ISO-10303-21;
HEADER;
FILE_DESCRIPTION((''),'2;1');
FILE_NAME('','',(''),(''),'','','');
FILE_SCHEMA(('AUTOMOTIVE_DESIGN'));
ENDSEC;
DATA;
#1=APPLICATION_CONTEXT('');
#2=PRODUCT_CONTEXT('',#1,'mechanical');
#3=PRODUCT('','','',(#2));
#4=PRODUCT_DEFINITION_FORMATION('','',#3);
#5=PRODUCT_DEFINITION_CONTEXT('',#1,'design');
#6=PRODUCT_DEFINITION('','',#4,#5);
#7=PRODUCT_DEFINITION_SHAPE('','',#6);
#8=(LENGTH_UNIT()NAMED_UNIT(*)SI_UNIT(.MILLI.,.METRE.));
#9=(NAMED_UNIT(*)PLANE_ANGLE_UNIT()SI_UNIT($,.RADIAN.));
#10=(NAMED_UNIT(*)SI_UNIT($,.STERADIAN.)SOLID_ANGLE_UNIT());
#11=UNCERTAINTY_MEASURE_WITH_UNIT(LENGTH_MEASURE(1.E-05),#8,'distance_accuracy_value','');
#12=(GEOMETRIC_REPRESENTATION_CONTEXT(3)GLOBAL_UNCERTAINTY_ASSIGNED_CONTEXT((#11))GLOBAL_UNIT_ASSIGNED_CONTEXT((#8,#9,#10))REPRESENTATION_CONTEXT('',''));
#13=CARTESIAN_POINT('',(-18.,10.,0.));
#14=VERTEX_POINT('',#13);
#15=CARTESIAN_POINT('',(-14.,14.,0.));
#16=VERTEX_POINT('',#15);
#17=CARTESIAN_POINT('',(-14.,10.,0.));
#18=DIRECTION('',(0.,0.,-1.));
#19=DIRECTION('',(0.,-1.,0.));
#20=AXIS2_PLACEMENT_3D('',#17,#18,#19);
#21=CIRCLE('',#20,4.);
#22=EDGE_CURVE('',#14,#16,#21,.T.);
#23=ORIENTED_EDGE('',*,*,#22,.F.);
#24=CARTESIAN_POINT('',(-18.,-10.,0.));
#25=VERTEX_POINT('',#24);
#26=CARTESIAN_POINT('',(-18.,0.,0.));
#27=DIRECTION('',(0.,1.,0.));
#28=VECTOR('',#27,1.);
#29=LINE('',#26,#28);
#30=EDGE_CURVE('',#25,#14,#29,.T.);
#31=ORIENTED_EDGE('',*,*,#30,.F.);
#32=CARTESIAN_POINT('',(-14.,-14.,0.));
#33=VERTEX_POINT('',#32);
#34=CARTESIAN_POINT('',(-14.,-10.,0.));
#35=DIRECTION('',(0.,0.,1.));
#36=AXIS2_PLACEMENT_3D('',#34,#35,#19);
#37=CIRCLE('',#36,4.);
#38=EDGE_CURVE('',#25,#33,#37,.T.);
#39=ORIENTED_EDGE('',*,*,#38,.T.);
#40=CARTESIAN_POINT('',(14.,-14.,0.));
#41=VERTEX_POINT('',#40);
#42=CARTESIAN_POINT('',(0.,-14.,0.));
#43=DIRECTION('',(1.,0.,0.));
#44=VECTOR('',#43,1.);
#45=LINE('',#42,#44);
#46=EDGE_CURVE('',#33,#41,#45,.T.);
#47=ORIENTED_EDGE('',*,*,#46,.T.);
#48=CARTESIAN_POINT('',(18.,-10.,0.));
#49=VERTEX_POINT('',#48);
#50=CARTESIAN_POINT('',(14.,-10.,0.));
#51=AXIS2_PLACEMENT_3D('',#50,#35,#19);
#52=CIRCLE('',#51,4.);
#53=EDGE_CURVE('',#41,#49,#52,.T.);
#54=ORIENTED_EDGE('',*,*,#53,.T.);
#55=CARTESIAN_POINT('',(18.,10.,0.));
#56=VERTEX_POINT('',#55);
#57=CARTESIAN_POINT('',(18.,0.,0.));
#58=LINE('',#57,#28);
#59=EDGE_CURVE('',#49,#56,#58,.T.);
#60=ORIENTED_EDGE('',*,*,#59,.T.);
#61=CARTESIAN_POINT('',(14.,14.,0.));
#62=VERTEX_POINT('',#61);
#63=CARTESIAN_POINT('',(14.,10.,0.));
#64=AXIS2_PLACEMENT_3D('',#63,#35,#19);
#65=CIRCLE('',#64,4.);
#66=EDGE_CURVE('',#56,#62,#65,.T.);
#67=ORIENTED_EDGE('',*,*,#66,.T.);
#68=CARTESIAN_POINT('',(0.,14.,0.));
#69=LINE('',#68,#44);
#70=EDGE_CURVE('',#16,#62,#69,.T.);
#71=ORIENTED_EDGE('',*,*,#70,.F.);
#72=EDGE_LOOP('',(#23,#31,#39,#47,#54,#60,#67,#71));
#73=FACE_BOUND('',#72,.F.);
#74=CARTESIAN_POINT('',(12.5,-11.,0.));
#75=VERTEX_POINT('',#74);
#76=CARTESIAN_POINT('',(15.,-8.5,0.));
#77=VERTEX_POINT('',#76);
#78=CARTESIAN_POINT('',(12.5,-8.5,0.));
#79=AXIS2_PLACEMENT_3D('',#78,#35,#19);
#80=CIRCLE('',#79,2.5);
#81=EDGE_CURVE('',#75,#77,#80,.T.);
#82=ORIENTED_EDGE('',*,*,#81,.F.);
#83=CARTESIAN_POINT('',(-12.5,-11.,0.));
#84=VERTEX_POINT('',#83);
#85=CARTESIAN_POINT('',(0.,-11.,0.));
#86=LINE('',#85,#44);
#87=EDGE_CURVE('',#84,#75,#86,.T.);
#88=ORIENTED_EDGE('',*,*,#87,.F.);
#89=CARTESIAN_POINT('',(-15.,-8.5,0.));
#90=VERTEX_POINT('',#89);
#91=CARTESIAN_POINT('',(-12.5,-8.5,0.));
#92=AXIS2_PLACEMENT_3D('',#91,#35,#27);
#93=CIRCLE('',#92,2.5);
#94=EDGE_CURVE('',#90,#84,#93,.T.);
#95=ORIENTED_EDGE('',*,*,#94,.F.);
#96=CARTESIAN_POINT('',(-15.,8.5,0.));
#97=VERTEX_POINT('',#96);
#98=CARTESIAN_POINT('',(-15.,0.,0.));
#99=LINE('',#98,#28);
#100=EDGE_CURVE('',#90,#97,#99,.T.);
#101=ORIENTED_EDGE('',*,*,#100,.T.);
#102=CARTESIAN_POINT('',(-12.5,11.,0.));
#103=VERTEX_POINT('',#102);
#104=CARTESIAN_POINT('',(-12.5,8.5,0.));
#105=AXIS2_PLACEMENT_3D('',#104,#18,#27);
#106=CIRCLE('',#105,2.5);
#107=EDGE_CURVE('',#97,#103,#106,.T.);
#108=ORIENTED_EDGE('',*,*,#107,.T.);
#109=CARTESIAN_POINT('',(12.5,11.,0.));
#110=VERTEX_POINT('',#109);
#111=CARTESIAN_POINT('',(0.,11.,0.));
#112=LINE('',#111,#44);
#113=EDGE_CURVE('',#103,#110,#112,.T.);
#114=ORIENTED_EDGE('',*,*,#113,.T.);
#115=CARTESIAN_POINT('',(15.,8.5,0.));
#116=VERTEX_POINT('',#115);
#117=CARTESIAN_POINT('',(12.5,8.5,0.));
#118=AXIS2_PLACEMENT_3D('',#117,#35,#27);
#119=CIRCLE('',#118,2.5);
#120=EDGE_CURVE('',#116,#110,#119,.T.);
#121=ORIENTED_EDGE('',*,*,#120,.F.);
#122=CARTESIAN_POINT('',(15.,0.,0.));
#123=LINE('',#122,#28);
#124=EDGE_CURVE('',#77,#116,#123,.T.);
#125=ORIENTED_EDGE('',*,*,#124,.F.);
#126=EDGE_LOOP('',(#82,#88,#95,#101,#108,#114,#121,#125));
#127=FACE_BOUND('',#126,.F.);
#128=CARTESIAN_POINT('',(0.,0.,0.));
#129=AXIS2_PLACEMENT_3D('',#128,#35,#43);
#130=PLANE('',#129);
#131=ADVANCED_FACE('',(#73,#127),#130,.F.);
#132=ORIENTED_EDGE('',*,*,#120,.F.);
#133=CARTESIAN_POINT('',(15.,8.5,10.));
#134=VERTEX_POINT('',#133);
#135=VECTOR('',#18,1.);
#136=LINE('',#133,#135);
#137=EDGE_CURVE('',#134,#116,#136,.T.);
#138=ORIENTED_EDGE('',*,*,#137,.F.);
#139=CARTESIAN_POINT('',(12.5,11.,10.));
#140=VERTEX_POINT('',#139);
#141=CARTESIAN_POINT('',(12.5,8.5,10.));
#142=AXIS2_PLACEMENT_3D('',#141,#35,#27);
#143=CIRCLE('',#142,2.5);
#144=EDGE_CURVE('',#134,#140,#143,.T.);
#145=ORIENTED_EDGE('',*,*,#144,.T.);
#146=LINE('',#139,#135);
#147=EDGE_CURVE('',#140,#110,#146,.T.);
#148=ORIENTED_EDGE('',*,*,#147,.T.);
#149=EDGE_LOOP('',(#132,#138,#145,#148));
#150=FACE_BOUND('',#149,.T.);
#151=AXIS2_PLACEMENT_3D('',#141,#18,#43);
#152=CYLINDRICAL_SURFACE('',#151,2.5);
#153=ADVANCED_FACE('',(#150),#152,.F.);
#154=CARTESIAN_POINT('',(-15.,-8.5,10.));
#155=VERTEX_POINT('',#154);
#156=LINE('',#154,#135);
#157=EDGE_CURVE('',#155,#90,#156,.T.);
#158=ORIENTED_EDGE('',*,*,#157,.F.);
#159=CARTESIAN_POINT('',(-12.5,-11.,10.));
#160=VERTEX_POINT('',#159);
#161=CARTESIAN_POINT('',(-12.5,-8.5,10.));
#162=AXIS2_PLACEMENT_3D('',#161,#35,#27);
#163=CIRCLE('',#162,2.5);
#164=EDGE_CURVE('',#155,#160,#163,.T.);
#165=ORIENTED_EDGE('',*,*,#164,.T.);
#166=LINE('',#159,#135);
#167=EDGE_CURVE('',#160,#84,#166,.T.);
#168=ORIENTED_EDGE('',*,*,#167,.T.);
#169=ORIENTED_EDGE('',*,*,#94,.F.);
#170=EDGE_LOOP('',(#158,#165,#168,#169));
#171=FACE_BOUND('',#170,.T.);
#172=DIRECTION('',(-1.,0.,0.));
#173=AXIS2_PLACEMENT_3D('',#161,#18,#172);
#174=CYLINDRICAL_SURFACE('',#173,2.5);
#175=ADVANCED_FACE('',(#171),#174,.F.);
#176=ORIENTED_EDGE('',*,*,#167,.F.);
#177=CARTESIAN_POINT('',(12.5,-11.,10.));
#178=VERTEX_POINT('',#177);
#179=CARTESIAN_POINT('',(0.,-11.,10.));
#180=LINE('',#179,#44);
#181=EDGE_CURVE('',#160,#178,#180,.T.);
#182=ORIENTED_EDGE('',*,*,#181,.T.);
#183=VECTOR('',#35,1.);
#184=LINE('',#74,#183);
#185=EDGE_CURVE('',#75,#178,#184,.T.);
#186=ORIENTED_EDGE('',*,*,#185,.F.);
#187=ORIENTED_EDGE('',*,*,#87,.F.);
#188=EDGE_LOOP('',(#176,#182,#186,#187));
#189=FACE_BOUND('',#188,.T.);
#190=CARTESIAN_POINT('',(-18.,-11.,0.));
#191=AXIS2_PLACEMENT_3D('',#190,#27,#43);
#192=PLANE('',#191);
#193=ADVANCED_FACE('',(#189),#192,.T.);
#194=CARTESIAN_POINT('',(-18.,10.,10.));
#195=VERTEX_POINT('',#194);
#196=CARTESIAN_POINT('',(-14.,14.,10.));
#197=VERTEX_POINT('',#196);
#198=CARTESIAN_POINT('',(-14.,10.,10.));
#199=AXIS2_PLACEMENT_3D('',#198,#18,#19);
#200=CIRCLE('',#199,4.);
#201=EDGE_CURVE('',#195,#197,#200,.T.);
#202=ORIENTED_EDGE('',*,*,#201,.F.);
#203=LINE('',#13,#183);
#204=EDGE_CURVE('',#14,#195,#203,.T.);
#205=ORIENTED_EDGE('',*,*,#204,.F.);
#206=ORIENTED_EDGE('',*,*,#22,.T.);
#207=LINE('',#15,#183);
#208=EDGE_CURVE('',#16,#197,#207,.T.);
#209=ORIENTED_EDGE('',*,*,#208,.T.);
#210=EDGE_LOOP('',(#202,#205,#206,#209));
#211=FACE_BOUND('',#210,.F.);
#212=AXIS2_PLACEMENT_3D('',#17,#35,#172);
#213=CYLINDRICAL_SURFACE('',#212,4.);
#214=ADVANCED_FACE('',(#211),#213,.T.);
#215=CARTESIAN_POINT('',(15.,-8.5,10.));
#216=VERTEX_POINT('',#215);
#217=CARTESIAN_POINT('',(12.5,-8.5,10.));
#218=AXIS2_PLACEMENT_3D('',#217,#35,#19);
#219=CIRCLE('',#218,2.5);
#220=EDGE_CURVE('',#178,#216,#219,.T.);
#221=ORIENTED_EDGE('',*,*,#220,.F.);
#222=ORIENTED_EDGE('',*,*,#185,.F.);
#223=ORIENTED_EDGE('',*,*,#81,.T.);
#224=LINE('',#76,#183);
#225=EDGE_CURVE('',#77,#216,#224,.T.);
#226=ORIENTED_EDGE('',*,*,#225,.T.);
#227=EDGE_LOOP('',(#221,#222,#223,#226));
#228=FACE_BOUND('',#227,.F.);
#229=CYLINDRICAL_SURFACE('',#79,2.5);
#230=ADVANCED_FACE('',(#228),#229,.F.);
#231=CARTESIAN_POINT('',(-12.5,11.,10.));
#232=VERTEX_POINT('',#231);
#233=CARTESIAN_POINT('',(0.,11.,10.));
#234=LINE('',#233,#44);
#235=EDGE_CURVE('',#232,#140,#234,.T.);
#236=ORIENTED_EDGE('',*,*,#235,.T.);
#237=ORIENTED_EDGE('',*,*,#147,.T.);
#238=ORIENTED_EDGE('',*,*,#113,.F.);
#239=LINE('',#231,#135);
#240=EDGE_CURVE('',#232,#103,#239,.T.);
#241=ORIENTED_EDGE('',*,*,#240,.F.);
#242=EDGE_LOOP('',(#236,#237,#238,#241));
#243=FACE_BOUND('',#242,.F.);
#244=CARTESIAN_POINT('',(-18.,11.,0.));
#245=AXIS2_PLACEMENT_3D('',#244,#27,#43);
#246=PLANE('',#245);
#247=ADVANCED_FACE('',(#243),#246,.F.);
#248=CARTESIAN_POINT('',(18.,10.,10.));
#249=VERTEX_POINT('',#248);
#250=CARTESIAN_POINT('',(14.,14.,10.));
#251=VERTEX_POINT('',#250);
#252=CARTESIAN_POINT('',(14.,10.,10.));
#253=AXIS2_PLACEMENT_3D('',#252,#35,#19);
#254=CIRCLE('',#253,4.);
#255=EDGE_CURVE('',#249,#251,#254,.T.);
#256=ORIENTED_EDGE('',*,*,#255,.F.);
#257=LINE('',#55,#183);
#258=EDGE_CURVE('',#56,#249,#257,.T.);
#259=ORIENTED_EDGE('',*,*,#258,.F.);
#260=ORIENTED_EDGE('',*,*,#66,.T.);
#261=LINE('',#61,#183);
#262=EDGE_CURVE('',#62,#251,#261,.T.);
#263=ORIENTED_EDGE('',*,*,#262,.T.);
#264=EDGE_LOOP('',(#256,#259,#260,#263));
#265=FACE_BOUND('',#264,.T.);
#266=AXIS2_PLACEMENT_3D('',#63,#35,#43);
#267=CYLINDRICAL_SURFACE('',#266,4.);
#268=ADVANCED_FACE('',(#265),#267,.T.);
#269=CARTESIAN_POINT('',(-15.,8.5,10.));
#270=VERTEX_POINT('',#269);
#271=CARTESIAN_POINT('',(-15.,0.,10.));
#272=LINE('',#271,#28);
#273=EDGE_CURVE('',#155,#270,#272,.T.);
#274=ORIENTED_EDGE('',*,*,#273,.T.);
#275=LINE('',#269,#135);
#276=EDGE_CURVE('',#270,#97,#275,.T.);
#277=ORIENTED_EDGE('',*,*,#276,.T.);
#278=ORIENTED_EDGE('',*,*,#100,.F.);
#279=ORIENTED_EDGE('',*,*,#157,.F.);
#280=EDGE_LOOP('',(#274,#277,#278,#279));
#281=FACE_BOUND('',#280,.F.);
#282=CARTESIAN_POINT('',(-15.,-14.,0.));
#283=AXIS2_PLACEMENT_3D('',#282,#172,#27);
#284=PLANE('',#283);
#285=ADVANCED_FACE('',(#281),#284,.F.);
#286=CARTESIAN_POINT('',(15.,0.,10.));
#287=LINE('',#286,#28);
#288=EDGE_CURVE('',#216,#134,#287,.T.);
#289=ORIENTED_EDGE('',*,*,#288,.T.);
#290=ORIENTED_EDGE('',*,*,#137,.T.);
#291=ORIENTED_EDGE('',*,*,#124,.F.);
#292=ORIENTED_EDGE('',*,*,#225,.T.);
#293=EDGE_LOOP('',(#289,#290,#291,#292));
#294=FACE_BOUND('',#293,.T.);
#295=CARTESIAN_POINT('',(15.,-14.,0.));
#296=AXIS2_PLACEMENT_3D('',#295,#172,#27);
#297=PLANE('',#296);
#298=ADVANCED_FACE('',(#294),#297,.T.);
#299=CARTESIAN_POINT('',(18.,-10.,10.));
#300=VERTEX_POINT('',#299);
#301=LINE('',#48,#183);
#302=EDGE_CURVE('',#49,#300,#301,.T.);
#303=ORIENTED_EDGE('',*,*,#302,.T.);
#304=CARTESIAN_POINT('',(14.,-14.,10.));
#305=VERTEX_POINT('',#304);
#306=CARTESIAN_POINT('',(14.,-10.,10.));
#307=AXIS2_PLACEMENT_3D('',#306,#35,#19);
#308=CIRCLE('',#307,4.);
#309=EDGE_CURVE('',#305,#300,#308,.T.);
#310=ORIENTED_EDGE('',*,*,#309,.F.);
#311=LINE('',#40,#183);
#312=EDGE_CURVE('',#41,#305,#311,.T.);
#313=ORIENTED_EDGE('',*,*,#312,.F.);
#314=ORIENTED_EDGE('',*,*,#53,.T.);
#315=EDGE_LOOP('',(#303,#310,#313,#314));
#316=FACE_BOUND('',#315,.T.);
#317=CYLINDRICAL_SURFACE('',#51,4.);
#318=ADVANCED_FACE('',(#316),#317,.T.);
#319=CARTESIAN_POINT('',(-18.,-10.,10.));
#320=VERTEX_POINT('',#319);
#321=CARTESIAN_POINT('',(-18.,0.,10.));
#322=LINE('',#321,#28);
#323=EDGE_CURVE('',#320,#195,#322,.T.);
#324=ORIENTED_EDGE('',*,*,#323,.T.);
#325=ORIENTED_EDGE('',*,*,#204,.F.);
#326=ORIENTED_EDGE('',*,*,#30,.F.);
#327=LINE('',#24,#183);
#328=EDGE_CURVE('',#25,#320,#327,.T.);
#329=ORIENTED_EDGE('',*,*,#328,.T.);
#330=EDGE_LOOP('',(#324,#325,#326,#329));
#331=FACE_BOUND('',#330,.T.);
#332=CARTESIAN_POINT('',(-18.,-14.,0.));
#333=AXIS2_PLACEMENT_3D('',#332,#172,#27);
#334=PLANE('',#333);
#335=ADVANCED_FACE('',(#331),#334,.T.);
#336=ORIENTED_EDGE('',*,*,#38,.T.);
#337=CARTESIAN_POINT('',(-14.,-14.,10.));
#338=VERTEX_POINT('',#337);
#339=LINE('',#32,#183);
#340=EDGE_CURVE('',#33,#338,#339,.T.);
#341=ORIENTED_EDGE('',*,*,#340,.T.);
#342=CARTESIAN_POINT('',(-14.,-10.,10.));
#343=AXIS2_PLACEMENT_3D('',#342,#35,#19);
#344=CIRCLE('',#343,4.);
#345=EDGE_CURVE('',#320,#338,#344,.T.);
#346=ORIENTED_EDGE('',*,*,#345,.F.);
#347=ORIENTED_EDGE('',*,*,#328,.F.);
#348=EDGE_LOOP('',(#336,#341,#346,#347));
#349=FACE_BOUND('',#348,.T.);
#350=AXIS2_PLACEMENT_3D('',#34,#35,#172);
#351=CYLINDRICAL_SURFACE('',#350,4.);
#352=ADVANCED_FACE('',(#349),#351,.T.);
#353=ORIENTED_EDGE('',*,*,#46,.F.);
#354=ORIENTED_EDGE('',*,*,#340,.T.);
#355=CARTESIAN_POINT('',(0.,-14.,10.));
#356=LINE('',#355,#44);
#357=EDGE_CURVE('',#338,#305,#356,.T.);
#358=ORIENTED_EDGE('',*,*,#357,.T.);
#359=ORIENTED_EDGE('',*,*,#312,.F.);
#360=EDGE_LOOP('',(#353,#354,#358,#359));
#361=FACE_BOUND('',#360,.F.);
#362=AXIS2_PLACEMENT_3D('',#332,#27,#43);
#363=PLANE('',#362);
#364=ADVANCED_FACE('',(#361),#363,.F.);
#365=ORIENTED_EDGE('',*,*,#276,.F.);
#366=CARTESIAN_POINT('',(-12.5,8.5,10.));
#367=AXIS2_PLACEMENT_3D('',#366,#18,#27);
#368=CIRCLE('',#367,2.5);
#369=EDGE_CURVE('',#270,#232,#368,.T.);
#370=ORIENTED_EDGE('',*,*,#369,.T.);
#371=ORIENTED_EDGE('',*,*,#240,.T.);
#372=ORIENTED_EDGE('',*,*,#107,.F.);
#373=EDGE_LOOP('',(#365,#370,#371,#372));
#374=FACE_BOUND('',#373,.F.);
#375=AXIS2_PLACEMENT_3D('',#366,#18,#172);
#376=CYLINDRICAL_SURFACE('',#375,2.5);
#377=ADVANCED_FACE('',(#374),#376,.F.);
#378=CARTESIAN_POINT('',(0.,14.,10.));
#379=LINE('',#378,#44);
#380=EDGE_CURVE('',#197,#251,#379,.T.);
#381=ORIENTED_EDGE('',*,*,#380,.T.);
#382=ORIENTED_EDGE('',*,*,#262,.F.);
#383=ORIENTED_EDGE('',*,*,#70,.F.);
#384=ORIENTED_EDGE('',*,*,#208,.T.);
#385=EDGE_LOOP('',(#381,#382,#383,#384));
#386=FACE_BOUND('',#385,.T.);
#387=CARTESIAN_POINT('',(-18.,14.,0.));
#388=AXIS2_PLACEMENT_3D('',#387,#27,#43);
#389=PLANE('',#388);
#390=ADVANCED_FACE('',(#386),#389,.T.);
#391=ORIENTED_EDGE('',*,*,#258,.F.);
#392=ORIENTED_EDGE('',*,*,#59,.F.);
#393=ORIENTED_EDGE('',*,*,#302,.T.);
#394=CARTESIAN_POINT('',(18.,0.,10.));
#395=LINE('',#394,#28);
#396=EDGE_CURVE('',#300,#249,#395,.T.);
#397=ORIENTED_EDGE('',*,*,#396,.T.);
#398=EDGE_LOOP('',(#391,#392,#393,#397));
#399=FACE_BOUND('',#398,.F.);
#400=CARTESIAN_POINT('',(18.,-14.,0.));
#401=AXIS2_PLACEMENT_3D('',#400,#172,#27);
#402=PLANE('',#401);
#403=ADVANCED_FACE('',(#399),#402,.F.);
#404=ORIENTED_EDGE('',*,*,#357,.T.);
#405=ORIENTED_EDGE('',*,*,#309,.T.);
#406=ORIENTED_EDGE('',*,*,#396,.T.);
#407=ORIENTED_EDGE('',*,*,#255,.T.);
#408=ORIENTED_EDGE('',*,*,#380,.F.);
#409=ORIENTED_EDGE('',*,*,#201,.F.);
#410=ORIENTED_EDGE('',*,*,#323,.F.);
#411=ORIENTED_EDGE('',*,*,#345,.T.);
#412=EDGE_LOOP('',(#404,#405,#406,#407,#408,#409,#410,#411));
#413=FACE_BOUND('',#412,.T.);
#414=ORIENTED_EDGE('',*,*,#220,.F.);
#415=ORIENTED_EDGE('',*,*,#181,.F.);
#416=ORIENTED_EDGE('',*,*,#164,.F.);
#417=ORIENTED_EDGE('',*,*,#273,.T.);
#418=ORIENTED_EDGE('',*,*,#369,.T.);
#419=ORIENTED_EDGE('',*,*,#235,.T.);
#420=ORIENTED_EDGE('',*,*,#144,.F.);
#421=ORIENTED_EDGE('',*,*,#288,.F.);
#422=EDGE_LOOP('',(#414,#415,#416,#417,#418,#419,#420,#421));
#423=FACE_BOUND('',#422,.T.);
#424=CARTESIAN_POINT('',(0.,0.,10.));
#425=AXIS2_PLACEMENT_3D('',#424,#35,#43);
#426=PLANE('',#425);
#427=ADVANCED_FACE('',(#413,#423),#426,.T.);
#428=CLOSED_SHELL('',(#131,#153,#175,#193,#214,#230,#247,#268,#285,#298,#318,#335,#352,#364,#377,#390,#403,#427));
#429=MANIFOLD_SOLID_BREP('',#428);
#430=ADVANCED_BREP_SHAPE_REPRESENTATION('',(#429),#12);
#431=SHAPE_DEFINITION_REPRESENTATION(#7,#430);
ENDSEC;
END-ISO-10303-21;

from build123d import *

# Parameters (mm, degrees)
F0_W     = 36
F0_H     = 28
F1_DEPTH = 10
F2_T     = -3
F3_R     = 2.5
F4_R     = 4


with BuildPart() as f1:
    # F0 (on Top) → F1 (new body)
    with BuildSketch(Plane.XY):
        Rectangle(F0_W, F0_H)
    extrude(amount=F1_DEPTH)

    # F2
    f2_openings = [f1.faces().sort_by_distance(p)[0] for p in [
        (0, 0, 10),
        (0, 0, 0),
    ]]
    offset(amount=F2_T, openings=f2_openings)

    # F3
    f3_edges = [f1.edges().sort_by_distance(p)[0] for p in [
        (-15, 11, 5),
        (15, 11, 5),
        (-15, -11, 5),
        (15, -11, 5),
    ]]
    fillet(f3_edges, radius=F3_R)

    # F4
    f4_edges = [f1.edges().sort_by_distance(p)[0] for p in [
        (-18, 14, 5),
        (18, 14, 5),
        (-18, -14, 5),
        (18, -14, 5),
    ]]
    fillet(f4_edges, radius=F4_R)


solid = f1.part
